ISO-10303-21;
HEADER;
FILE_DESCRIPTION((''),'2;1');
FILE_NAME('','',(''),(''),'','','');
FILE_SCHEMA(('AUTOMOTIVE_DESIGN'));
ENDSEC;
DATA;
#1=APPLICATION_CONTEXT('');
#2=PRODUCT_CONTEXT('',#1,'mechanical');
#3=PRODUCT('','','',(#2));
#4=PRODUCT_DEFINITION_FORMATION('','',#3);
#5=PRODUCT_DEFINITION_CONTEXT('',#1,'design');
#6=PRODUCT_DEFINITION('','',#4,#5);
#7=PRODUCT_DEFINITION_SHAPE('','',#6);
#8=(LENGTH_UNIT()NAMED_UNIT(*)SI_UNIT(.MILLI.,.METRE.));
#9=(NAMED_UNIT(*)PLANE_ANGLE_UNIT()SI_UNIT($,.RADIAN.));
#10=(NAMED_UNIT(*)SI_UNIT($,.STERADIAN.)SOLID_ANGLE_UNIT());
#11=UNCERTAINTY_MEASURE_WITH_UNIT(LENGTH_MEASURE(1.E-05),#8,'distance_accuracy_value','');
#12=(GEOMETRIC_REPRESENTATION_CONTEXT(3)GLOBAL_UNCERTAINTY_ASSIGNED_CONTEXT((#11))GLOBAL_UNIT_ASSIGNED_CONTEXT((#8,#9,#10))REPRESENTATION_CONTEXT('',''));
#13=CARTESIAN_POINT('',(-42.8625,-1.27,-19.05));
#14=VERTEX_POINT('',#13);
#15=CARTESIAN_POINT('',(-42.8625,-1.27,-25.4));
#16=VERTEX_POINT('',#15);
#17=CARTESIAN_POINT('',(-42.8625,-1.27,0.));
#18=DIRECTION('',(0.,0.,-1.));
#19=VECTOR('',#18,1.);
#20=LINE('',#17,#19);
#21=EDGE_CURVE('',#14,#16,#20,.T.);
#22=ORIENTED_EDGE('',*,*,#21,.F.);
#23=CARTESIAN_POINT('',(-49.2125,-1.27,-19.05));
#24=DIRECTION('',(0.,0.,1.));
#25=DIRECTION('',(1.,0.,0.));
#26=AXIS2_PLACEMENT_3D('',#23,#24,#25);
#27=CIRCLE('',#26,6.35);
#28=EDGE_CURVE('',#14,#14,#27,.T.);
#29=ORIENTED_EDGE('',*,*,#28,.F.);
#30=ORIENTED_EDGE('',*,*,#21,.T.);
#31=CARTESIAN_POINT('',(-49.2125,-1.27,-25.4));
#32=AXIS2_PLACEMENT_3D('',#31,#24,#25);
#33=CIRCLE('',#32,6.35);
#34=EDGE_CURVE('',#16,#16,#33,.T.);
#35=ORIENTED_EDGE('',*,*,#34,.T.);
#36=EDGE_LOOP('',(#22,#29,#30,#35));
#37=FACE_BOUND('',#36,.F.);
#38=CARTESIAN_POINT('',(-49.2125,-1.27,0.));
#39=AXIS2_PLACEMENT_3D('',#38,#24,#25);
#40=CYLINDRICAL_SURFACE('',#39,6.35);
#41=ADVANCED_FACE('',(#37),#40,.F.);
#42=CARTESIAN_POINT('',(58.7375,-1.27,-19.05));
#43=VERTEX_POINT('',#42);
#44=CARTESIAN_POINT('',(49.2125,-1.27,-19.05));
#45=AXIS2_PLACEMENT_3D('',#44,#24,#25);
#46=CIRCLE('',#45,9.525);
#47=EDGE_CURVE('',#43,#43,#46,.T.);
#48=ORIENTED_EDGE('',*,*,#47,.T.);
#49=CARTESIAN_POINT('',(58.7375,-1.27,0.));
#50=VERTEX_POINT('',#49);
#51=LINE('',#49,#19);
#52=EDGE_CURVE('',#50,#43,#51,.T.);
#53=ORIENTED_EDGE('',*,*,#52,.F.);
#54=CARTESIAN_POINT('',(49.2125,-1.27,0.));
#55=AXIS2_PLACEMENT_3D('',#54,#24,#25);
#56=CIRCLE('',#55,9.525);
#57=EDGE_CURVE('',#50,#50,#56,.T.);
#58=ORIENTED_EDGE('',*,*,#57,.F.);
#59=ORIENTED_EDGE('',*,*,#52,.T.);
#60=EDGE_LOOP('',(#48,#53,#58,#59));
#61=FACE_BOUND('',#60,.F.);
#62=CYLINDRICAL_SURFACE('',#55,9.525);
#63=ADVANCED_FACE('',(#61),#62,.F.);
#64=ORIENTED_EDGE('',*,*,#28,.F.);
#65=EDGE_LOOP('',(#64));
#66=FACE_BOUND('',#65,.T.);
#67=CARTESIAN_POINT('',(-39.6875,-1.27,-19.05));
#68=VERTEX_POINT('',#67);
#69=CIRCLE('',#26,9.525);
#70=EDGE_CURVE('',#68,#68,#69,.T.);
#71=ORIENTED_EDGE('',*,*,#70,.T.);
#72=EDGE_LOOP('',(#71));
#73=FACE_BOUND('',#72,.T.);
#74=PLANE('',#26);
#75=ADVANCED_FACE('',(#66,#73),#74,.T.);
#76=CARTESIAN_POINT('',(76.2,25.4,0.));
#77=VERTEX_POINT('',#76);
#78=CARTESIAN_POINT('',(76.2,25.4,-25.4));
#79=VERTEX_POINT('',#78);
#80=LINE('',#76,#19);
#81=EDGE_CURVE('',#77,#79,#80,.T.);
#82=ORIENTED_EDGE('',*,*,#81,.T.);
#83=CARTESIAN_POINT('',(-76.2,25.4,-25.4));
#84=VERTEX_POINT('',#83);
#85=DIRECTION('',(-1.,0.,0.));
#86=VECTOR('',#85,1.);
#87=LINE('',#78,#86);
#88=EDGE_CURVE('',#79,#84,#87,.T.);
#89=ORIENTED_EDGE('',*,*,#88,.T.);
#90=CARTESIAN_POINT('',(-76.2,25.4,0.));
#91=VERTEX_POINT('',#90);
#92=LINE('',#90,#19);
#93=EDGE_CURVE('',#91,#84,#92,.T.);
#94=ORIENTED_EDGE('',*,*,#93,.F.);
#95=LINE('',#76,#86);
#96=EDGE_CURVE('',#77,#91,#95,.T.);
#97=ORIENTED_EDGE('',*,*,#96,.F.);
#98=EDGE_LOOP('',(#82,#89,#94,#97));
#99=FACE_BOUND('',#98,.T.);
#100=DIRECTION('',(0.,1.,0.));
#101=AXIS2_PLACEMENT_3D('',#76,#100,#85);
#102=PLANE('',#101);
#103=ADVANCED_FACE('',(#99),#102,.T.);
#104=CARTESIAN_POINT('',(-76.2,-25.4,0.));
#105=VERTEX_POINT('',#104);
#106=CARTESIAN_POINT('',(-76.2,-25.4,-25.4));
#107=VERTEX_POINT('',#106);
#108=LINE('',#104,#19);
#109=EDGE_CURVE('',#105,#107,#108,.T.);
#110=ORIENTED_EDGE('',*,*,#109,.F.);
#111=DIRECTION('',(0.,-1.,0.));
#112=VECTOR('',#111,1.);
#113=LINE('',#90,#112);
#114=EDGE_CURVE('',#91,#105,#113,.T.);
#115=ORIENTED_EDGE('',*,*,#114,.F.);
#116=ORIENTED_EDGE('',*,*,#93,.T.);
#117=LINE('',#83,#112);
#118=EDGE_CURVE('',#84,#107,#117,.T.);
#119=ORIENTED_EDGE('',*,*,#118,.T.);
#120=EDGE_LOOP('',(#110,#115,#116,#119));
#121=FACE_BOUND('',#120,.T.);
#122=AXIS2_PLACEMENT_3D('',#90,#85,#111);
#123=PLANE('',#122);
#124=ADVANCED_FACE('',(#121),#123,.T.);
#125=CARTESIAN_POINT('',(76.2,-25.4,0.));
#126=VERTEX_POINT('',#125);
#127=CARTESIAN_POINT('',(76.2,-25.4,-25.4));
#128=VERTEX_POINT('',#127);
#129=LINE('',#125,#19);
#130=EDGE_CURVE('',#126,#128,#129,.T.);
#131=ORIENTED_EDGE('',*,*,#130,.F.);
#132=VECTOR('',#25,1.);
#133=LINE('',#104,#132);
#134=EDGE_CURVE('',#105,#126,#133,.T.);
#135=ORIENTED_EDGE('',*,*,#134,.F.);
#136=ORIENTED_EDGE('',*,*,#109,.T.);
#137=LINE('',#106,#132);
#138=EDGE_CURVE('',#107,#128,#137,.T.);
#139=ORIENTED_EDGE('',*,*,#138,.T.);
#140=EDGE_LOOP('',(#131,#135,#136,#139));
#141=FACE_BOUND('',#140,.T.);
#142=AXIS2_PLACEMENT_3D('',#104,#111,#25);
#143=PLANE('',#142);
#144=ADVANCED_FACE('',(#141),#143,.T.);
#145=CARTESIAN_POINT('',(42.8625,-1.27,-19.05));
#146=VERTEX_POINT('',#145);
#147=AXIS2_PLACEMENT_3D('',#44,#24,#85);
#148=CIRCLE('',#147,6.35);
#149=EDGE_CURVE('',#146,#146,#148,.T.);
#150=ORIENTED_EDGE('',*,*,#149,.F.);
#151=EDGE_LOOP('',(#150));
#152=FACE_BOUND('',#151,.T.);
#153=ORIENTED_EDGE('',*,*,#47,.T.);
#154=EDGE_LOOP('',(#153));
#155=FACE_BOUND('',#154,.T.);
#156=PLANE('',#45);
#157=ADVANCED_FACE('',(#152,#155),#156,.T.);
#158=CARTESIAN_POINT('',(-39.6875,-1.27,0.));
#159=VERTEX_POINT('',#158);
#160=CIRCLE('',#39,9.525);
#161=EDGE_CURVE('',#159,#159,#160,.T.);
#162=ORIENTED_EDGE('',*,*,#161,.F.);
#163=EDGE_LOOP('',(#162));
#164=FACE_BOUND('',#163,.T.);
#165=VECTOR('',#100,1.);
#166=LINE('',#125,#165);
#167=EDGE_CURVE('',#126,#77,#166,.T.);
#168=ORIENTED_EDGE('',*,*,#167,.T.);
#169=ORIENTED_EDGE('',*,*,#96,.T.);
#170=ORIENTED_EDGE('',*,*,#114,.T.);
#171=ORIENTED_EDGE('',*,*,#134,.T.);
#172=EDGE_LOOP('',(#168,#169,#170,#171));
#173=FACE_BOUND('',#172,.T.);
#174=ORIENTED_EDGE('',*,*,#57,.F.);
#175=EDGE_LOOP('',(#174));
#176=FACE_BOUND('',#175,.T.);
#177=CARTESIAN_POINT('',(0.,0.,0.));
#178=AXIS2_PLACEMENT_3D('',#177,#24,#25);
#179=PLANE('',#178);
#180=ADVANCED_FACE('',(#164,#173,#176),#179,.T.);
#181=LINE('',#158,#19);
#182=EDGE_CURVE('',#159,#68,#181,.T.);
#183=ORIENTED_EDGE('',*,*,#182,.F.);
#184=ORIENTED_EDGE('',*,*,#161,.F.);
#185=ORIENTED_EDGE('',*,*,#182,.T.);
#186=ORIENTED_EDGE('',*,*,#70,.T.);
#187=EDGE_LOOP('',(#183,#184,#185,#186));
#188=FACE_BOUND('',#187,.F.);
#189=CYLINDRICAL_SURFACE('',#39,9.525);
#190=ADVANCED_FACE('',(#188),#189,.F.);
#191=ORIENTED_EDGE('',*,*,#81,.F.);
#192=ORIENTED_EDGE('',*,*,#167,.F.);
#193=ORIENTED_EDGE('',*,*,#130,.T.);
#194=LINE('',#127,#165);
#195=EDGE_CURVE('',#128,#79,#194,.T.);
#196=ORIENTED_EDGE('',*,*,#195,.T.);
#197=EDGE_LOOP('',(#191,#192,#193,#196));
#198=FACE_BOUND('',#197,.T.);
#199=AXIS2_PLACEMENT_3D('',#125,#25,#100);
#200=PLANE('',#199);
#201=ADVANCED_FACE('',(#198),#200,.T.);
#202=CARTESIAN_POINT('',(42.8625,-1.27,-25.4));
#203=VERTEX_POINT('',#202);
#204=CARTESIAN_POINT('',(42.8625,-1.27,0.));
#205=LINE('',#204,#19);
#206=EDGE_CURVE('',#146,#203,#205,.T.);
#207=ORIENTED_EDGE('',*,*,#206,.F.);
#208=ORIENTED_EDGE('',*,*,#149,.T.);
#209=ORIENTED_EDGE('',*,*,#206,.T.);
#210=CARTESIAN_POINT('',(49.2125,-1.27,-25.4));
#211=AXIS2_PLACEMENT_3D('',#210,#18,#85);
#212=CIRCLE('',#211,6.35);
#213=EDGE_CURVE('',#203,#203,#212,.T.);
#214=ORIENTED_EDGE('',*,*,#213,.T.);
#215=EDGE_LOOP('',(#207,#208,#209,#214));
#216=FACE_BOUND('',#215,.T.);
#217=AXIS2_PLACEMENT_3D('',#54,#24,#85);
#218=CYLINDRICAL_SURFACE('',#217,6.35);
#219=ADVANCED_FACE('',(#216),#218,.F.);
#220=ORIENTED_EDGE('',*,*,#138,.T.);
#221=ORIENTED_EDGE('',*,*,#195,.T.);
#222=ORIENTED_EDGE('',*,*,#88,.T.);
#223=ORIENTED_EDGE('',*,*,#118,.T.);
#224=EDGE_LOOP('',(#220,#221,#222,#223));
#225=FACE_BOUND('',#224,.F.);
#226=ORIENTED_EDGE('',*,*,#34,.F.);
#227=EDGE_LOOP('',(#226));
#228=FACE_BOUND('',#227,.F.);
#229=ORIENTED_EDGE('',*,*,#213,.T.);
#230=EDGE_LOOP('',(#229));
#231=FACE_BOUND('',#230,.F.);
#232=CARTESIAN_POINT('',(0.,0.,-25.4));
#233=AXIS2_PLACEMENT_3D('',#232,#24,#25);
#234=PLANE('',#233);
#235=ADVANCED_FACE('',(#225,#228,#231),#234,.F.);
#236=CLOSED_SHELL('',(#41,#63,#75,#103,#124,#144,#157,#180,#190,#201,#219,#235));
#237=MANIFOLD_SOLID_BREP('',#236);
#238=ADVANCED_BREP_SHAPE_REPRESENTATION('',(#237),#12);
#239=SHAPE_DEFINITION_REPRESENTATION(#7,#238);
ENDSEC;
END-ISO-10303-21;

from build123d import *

# Parameters (mm, degrees)
F0_R     = 6.35
F1_DEPTH = 25.4
F2_R     = 9.525
F3_DEPTH = 19.05


with BuildPart() as f1:
    # F0 (on Top) → F1 (new body)
    with BuildSketch(Plane.XY):
        Polygon((0, -25.4), (76.2, -25.4), (76.2, 25.4), (-76.2, 25.4), (-76.2, -25.4), align=None)
        with Locations((-49.2125, -1.27)):
            Circle(F0_R, mode=Mode.SUBTRACT)
        with BuildLine():
            ThreePointArc((55.5625, -1.27), (49.2125, -7.62), (42.8625, -1.27))
            ThreePointArc((42.8625, -1.27), (49.2125, 5.08), (55.5625, -1.27))
        make_face(mode=Mode.SUBTRACT)
    extrude(amount=-F1_DEPTH)

    # F2 (on face) → F3 (cut)
    with BuildSketch(Plane.XY):
        with Locations((-49.2125, -1.27)):
            Circle(F2_R)
        with Locations((49.2125, -1.27)):
            Circle(F2_R)
    extrude(amount=-F3_DEPTH, mode=Mode.SUBTRACT)


solid = f1.part
